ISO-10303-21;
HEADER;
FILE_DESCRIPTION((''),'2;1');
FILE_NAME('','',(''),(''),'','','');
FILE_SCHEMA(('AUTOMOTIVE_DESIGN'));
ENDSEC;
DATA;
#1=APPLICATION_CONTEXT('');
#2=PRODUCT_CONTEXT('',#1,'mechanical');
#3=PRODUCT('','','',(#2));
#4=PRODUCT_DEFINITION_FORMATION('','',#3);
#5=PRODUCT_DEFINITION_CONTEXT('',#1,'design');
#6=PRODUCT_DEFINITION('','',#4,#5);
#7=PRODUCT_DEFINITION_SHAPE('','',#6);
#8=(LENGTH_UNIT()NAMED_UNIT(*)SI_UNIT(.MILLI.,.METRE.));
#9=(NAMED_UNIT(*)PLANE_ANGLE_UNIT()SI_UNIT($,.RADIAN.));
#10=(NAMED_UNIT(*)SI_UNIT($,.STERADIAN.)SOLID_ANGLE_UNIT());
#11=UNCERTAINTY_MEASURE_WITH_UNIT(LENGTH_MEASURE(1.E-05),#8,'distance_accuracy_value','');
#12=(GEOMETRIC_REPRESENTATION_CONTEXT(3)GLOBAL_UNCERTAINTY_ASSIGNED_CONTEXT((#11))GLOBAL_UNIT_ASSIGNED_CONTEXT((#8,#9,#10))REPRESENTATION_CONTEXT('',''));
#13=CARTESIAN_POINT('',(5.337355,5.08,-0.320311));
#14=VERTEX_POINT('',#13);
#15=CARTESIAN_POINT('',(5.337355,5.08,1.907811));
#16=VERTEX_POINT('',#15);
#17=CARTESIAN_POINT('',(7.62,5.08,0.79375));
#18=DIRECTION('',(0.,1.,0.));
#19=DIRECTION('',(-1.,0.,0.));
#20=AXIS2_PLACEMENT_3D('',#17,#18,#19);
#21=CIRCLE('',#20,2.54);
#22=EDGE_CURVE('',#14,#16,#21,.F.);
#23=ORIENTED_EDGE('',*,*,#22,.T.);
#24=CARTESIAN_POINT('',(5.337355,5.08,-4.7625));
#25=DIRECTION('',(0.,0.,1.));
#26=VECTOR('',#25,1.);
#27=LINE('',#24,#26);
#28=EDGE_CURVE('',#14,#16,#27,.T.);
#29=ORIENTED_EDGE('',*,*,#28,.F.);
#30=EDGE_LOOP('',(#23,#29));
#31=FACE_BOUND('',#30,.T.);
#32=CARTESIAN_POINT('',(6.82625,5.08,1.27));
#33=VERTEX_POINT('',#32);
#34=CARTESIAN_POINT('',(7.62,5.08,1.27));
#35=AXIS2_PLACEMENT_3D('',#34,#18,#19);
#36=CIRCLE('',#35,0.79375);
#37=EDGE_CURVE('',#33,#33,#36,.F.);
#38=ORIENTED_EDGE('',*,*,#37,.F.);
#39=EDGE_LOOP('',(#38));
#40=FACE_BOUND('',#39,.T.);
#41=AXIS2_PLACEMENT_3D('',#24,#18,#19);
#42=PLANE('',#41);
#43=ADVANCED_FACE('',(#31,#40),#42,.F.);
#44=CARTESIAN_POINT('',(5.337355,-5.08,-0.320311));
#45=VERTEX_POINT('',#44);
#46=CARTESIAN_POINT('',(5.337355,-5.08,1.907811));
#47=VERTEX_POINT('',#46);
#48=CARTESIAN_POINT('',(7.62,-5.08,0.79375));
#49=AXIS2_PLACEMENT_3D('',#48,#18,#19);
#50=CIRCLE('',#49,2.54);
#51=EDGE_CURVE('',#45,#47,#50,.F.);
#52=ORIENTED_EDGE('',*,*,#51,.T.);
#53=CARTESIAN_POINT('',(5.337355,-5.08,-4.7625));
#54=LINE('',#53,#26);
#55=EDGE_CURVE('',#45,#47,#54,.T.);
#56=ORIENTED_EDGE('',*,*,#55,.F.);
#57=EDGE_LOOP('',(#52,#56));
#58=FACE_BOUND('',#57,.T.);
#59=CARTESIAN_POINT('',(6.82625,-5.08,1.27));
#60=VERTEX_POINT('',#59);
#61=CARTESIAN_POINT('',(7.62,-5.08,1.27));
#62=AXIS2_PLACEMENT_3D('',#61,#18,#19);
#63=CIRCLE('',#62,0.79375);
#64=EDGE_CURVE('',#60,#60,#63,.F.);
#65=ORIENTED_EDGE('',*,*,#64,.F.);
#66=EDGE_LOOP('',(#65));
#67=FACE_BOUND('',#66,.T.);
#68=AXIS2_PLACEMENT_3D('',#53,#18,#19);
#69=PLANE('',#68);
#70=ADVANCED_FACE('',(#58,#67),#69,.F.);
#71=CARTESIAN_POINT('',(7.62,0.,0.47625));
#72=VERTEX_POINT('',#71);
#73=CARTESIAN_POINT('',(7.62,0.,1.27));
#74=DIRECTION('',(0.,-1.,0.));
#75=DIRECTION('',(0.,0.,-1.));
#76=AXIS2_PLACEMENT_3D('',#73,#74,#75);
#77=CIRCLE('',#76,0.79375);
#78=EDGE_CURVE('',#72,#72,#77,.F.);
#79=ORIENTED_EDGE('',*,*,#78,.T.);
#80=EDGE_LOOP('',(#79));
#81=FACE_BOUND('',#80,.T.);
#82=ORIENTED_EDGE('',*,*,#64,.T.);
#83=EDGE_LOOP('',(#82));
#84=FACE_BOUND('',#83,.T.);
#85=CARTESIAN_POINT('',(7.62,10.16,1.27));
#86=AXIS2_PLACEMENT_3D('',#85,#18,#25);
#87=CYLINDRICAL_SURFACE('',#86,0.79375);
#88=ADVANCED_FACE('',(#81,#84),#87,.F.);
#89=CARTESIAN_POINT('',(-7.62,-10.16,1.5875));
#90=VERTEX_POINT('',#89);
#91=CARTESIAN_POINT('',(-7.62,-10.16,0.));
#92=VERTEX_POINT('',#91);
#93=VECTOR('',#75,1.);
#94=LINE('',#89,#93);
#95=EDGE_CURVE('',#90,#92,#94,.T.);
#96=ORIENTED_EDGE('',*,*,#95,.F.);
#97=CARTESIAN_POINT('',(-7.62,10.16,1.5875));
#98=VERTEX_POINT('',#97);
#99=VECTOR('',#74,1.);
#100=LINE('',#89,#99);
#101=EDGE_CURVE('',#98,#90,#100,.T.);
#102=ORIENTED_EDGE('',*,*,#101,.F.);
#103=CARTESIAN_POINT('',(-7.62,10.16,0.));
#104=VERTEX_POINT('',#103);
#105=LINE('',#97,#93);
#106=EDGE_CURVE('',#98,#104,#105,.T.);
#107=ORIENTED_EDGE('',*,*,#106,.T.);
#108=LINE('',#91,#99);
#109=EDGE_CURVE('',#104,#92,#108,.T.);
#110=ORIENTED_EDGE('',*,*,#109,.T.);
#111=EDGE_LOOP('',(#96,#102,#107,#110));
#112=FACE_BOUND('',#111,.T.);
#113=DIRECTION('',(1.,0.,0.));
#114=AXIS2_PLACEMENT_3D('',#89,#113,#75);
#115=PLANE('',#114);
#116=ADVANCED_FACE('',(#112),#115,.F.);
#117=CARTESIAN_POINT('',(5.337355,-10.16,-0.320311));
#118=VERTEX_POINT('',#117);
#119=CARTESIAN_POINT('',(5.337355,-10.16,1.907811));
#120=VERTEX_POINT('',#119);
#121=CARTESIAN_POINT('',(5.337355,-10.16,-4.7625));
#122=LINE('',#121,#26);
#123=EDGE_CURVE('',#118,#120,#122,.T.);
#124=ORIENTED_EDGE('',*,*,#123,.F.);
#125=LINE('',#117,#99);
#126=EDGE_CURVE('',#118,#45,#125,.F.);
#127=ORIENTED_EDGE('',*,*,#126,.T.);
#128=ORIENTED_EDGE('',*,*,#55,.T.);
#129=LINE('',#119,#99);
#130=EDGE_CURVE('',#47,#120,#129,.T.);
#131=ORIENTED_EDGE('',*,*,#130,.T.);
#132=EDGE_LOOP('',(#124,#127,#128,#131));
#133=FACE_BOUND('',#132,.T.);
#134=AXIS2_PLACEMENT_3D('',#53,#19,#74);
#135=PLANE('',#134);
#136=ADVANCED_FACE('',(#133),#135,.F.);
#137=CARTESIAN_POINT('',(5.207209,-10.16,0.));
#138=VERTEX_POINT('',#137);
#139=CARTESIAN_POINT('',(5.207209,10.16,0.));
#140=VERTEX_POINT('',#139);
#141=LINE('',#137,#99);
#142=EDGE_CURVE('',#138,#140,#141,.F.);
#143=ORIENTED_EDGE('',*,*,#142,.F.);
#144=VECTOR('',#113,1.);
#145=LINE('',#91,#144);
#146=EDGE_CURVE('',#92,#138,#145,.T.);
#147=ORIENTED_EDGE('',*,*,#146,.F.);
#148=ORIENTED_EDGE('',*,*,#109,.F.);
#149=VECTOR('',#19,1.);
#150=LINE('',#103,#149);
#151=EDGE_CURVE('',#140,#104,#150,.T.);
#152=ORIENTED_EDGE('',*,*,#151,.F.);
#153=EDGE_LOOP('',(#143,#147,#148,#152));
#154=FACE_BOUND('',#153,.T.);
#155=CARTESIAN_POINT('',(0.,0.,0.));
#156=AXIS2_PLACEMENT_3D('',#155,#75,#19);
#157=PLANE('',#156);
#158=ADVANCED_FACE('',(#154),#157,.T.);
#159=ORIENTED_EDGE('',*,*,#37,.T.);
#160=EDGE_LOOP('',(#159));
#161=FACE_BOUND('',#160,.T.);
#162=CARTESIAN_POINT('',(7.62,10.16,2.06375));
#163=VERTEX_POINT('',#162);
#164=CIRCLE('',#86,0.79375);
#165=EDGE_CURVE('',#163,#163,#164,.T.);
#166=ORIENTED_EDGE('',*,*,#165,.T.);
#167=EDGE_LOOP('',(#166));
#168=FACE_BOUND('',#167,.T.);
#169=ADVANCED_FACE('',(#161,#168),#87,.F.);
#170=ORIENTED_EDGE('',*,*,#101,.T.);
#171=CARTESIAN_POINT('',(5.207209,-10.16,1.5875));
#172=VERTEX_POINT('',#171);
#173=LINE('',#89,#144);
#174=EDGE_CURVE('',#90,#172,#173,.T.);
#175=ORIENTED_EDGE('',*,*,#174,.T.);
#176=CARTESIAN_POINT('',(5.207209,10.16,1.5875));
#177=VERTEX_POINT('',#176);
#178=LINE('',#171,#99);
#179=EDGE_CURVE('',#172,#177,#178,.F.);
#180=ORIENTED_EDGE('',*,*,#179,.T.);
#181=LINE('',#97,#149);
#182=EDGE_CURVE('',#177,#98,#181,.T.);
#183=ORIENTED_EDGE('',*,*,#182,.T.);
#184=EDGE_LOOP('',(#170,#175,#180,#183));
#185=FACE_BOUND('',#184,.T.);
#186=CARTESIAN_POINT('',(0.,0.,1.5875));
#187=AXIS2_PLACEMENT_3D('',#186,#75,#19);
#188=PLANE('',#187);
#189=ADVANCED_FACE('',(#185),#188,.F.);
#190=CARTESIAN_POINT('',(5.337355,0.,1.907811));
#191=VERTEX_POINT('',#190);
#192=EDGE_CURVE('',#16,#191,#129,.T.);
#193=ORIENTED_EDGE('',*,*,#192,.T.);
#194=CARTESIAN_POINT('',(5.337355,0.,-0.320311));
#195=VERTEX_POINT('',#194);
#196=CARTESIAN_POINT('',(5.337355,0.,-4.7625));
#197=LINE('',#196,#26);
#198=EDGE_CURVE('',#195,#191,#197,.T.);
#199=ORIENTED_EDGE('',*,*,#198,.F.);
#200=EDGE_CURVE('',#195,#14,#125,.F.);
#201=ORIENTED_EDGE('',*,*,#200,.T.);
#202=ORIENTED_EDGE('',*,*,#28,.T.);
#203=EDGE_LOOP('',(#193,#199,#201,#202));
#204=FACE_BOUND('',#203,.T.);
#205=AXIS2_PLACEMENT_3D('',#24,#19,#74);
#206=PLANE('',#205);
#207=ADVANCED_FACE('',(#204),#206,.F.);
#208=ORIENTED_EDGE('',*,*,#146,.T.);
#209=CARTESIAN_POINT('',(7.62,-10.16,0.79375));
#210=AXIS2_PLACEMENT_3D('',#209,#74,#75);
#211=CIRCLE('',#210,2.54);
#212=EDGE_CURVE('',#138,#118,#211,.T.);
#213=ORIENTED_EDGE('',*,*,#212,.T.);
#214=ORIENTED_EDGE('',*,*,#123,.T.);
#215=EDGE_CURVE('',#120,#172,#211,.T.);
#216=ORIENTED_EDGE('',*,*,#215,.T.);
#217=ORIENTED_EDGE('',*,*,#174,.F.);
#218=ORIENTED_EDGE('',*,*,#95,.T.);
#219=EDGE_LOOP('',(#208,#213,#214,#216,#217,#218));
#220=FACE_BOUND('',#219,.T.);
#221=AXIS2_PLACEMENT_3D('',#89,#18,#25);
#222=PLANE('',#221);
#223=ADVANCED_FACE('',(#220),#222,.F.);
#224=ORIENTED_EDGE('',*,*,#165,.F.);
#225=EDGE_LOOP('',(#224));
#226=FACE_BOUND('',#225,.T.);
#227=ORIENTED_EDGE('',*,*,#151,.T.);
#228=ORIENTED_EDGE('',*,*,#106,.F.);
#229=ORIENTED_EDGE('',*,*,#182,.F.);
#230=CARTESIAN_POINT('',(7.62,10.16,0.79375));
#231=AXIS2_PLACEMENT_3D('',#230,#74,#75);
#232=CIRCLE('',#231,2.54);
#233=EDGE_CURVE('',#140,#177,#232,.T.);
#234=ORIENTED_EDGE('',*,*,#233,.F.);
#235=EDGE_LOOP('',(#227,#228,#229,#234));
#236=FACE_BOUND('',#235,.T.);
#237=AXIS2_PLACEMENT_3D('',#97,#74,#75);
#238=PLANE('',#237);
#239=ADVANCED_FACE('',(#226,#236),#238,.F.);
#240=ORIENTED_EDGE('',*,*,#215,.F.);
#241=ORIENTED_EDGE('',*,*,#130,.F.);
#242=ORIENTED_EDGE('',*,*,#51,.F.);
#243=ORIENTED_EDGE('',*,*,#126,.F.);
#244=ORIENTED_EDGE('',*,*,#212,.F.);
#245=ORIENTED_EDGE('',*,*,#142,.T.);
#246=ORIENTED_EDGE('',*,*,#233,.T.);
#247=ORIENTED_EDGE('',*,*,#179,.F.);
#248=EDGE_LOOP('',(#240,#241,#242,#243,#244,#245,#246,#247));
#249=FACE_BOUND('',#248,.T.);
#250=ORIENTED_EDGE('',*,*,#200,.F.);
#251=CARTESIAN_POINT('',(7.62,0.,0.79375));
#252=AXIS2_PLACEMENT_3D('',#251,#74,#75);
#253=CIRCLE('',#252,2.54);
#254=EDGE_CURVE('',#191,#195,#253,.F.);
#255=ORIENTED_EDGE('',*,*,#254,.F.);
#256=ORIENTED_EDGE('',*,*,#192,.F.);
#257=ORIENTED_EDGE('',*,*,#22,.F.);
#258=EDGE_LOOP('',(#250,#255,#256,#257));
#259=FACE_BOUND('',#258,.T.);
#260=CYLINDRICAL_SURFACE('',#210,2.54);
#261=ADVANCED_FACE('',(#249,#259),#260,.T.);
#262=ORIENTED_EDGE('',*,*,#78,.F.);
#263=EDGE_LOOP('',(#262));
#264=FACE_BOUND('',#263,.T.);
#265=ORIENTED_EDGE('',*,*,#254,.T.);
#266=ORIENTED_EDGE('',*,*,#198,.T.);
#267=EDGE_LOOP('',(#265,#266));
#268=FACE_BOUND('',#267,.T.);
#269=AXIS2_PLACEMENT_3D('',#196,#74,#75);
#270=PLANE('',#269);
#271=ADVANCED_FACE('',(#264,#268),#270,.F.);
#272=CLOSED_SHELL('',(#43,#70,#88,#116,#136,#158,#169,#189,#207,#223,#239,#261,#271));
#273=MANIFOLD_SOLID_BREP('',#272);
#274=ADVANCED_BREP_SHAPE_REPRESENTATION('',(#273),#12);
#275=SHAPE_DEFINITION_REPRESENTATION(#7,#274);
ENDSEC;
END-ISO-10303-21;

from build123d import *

# Parameters (mm, degrees)
SKETCH1_W                      = 15.24
SKETCH1_H                      = 20.32
BOSS_EXTRUDE1_DEPTH            = 1.5875
SKETCH2_W                      = 2.54
SKETCH2_H                      = 20.32
F_1_16_0_0625_DIAMETER_HOLE1_D = 1.5875
SKETCH10_W                     = 5.245479694
SKETCH10_H                     = 5.08
CUT_EXTRUDE1_DEPTH             = 6.35


with BuildPart() as part:
    # Sketch1 → Boss-Extrude1 (new body)
    with BuildSketch(Plane.XY):
        Rectangle(SKETCH1_W, SKETCH1_H)
    extrude(amount=BOSS_EXTRUDE1_DEPTH)

    # Sketch2 → Revolve-Thin1 (revolve)
    with BuildSketch(Plane(origin=(7.62, 0, 0), x_dir=(0, 0, -1), z_dir=(1, 0, 0))):
        with Locations((-2.06375, 0)):
            Rectangle(SKETCH2_W, SKETCH2_H)
    revolve(axis=Axis((7.62, -10.16, 0.79375), (0, 1, 0)))

    # 1/16 (0.0625) Diameter Hole1 (through all)
    with Locations(Plane(origin=(0, 10.16, 0), x_dir=(1, 0, 0), z_dir=(0, 1, 0))):
        with Locations((7.62, -1.27)):
            Hole(F_1_16_0_0625_DIAMETER_HOLE1_D / 2)

    # Sketch10 → Cut-Extrude1 (cut, symmetric)
    with BuildSketch(Plane.XY.offset(1.5875)):
        with Locations((7.960094746, 2.54)):
            Rectangle(SKETCH10_W, SKETCH10_H)
        with Locations((7.960094746, -7.62)):
            Rectangle(SKETCH10_W, SKETCH10_H)
    extrude(amount=CUT_EXTRUDE1_DEPTH, both=True, mode=Mode.SUBTRACT)


solid = part.part
